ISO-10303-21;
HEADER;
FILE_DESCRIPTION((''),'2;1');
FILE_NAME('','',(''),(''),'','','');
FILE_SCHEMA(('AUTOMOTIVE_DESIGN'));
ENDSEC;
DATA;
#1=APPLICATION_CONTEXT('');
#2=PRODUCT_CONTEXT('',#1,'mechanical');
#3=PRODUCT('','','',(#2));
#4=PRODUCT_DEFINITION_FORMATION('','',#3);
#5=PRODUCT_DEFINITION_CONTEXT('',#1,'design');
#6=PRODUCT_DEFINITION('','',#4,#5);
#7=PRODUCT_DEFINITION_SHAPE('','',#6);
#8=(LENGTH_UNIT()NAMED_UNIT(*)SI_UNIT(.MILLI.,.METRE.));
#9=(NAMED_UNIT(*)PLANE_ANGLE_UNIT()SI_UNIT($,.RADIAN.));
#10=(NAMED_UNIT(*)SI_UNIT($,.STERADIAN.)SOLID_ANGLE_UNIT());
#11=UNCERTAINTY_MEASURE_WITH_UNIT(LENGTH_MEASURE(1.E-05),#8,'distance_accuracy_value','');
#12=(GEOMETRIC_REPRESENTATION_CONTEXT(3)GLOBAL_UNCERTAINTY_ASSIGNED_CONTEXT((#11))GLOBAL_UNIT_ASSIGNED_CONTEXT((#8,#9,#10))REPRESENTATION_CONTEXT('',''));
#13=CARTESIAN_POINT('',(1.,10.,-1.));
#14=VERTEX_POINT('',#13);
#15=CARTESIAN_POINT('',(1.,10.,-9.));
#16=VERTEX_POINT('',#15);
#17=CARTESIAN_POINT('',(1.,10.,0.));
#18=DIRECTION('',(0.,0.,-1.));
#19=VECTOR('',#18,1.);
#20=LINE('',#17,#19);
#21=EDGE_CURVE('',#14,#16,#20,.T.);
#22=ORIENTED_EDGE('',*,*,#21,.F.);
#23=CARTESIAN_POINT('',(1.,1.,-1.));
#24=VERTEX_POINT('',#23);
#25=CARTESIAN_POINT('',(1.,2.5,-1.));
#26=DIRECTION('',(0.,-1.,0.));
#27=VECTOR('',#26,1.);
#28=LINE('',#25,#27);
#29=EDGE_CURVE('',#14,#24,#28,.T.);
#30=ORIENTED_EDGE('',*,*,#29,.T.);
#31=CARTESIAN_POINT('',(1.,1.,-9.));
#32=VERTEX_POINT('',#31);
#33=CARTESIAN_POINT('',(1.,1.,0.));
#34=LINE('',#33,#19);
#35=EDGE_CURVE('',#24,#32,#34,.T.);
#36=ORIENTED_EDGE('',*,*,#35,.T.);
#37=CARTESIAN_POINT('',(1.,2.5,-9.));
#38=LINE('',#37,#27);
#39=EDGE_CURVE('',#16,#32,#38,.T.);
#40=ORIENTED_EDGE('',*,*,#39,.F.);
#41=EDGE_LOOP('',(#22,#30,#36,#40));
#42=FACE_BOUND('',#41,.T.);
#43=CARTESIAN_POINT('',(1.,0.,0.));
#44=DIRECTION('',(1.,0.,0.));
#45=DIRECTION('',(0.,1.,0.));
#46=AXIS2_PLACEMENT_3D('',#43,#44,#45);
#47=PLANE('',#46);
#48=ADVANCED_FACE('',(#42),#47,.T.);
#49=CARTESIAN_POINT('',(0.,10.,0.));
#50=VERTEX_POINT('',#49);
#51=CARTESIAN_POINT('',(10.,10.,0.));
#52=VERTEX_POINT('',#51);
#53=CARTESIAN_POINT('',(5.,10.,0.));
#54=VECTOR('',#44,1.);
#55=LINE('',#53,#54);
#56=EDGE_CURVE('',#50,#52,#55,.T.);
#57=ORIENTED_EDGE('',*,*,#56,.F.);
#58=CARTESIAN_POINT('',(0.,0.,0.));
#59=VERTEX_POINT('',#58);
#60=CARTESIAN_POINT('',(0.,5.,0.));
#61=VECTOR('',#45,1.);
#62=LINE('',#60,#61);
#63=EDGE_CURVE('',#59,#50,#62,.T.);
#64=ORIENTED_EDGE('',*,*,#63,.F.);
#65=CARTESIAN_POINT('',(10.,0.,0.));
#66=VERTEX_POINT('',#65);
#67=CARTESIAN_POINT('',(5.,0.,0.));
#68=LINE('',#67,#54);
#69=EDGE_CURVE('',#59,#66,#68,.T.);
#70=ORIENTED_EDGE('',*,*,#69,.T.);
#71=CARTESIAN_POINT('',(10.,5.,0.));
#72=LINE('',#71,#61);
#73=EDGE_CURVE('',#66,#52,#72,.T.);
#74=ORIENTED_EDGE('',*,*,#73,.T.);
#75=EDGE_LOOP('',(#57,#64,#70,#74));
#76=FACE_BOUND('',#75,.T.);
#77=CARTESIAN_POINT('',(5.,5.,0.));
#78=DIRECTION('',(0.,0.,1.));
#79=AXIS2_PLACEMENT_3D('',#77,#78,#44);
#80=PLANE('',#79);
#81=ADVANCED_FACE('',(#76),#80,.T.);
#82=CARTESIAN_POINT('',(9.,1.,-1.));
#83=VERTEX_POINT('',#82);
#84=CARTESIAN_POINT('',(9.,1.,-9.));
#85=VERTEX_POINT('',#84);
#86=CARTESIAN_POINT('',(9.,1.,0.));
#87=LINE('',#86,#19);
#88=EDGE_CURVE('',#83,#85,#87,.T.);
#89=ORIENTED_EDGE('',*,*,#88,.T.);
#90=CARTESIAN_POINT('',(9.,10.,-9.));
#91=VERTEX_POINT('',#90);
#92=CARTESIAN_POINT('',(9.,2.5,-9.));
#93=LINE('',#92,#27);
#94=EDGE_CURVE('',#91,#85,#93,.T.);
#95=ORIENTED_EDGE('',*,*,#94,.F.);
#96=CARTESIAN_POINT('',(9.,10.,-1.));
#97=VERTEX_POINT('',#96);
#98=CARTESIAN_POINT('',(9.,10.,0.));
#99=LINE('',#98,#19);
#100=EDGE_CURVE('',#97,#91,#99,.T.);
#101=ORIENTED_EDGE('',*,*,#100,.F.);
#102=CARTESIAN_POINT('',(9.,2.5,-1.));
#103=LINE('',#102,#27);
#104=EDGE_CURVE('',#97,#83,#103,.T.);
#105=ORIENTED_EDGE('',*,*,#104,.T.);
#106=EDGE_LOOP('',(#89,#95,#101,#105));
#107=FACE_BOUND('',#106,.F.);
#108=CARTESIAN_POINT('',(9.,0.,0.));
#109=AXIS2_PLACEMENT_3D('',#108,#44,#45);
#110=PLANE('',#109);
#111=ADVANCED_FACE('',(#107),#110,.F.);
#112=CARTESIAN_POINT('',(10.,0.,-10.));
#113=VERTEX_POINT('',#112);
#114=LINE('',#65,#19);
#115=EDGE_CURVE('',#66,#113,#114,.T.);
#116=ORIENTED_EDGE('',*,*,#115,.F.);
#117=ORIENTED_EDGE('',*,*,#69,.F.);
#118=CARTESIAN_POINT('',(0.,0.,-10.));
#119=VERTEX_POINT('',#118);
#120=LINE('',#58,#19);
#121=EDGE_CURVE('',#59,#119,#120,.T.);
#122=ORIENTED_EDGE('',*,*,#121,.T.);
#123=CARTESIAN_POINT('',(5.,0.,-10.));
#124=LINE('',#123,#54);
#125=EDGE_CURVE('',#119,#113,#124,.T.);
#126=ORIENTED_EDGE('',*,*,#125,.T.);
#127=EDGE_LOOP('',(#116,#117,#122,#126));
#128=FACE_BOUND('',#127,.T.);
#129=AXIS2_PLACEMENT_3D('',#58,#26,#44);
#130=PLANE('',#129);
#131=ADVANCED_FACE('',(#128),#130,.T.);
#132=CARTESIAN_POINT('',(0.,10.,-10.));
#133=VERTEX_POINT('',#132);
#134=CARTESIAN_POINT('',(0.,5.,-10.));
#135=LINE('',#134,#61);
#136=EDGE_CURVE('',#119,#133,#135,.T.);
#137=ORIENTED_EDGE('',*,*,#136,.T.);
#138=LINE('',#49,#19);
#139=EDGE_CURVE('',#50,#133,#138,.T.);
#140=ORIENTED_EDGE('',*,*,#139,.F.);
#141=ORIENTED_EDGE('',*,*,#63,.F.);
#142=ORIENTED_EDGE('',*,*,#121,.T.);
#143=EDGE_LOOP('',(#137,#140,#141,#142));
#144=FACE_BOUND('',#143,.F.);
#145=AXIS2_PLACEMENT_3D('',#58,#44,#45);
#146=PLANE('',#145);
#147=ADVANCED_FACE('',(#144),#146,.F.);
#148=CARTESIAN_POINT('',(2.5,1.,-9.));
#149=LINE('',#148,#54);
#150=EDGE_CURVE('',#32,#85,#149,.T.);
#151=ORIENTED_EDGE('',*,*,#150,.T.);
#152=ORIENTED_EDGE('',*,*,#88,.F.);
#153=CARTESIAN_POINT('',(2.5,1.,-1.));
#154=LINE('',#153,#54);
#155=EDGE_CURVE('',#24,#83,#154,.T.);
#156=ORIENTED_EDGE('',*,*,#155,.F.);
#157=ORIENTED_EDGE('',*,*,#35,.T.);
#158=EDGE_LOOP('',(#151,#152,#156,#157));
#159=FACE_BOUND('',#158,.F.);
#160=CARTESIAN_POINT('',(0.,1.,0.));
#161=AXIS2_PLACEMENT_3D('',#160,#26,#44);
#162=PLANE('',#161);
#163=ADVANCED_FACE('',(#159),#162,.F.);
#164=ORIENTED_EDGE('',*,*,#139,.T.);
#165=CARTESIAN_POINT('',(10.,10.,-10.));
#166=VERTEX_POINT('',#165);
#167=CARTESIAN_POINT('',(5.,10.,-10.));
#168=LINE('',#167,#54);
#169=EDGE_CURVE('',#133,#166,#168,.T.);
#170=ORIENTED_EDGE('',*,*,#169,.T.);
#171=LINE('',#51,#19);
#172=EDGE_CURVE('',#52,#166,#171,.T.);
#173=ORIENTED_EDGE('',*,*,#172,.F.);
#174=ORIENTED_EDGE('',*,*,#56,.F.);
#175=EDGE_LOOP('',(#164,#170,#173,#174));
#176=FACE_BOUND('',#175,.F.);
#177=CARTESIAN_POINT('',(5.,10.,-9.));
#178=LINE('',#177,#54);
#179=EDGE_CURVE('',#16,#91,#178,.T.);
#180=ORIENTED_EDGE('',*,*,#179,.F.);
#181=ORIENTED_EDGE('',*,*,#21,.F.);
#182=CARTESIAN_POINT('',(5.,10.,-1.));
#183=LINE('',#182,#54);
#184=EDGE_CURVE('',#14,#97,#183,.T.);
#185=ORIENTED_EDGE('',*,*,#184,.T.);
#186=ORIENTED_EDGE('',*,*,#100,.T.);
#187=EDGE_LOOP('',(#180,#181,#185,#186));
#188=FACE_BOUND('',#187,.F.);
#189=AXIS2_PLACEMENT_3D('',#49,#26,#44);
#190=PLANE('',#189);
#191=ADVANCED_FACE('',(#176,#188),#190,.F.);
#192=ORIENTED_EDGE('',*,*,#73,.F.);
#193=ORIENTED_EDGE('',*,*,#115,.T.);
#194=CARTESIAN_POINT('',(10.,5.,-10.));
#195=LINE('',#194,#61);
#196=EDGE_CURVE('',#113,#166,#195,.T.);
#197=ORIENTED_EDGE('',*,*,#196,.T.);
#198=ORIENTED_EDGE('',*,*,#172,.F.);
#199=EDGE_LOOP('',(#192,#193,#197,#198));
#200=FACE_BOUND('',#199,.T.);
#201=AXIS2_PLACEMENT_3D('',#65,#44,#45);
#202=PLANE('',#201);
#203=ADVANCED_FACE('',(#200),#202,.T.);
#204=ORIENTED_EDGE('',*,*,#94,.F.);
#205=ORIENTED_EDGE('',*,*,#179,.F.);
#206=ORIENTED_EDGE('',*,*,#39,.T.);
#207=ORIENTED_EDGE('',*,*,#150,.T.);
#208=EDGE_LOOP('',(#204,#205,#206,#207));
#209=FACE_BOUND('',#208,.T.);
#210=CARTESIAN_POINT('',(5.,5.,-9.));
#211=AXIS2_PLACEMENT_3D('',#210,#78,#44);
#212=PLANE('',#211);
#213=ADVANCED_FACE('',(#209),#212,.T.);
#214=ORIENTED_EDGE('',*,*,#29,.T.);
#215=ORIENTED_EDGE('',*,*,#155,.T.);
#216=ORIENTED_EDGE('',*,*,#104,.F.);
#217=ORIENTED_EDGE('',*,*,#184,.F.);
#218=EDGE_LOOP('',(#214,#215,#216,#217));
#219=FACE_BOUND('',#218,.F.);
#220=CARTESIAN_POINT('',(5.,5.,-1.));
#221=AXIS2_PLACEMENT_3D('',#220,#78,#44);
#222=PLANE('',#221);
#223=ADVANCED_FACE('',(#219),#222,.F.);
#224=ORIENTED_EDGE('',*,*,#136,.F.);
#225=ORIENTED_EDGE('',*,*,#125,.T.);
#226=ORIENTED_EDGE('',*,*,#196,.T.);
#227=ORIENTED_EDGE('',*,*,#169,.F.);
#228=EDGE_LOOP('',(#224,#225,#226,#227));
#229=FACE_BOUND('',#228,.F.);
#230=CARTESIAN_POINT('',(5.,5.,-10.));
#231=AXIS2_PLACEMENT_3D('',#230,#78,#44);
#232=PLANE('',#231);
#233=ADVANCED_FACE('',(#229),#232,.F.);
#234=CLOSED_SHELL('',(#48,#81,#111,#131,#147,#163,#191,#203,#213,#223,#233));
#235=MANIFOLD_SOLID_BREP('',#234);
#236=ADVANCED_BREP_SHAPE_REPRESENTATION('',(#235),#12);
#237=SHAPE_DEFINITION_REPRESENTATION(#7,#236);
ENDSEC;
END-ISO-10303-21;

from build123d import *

# Parameters (mm, degrees)
F0_W     = 10
F0_H     = 10
F1_DEPTH = 10
F2_T     = -1


with BuildPart() as f1:
    # F0 (on Top) → F1 (new body)
    with BuildSketch(Plane.XY):
        with Locations((5, 5)):
            Rectangle(F0_W, F0_H)
    extrude(amount=-F1_DEPTH)

    # F2
    f2_openings = [f1.faces().sort_by_distance(p)[0] for p in [
        (5, 10, -5),
    ]]
    offset(amount=F2_T, openings=f2_openings)


solid = f1.part
